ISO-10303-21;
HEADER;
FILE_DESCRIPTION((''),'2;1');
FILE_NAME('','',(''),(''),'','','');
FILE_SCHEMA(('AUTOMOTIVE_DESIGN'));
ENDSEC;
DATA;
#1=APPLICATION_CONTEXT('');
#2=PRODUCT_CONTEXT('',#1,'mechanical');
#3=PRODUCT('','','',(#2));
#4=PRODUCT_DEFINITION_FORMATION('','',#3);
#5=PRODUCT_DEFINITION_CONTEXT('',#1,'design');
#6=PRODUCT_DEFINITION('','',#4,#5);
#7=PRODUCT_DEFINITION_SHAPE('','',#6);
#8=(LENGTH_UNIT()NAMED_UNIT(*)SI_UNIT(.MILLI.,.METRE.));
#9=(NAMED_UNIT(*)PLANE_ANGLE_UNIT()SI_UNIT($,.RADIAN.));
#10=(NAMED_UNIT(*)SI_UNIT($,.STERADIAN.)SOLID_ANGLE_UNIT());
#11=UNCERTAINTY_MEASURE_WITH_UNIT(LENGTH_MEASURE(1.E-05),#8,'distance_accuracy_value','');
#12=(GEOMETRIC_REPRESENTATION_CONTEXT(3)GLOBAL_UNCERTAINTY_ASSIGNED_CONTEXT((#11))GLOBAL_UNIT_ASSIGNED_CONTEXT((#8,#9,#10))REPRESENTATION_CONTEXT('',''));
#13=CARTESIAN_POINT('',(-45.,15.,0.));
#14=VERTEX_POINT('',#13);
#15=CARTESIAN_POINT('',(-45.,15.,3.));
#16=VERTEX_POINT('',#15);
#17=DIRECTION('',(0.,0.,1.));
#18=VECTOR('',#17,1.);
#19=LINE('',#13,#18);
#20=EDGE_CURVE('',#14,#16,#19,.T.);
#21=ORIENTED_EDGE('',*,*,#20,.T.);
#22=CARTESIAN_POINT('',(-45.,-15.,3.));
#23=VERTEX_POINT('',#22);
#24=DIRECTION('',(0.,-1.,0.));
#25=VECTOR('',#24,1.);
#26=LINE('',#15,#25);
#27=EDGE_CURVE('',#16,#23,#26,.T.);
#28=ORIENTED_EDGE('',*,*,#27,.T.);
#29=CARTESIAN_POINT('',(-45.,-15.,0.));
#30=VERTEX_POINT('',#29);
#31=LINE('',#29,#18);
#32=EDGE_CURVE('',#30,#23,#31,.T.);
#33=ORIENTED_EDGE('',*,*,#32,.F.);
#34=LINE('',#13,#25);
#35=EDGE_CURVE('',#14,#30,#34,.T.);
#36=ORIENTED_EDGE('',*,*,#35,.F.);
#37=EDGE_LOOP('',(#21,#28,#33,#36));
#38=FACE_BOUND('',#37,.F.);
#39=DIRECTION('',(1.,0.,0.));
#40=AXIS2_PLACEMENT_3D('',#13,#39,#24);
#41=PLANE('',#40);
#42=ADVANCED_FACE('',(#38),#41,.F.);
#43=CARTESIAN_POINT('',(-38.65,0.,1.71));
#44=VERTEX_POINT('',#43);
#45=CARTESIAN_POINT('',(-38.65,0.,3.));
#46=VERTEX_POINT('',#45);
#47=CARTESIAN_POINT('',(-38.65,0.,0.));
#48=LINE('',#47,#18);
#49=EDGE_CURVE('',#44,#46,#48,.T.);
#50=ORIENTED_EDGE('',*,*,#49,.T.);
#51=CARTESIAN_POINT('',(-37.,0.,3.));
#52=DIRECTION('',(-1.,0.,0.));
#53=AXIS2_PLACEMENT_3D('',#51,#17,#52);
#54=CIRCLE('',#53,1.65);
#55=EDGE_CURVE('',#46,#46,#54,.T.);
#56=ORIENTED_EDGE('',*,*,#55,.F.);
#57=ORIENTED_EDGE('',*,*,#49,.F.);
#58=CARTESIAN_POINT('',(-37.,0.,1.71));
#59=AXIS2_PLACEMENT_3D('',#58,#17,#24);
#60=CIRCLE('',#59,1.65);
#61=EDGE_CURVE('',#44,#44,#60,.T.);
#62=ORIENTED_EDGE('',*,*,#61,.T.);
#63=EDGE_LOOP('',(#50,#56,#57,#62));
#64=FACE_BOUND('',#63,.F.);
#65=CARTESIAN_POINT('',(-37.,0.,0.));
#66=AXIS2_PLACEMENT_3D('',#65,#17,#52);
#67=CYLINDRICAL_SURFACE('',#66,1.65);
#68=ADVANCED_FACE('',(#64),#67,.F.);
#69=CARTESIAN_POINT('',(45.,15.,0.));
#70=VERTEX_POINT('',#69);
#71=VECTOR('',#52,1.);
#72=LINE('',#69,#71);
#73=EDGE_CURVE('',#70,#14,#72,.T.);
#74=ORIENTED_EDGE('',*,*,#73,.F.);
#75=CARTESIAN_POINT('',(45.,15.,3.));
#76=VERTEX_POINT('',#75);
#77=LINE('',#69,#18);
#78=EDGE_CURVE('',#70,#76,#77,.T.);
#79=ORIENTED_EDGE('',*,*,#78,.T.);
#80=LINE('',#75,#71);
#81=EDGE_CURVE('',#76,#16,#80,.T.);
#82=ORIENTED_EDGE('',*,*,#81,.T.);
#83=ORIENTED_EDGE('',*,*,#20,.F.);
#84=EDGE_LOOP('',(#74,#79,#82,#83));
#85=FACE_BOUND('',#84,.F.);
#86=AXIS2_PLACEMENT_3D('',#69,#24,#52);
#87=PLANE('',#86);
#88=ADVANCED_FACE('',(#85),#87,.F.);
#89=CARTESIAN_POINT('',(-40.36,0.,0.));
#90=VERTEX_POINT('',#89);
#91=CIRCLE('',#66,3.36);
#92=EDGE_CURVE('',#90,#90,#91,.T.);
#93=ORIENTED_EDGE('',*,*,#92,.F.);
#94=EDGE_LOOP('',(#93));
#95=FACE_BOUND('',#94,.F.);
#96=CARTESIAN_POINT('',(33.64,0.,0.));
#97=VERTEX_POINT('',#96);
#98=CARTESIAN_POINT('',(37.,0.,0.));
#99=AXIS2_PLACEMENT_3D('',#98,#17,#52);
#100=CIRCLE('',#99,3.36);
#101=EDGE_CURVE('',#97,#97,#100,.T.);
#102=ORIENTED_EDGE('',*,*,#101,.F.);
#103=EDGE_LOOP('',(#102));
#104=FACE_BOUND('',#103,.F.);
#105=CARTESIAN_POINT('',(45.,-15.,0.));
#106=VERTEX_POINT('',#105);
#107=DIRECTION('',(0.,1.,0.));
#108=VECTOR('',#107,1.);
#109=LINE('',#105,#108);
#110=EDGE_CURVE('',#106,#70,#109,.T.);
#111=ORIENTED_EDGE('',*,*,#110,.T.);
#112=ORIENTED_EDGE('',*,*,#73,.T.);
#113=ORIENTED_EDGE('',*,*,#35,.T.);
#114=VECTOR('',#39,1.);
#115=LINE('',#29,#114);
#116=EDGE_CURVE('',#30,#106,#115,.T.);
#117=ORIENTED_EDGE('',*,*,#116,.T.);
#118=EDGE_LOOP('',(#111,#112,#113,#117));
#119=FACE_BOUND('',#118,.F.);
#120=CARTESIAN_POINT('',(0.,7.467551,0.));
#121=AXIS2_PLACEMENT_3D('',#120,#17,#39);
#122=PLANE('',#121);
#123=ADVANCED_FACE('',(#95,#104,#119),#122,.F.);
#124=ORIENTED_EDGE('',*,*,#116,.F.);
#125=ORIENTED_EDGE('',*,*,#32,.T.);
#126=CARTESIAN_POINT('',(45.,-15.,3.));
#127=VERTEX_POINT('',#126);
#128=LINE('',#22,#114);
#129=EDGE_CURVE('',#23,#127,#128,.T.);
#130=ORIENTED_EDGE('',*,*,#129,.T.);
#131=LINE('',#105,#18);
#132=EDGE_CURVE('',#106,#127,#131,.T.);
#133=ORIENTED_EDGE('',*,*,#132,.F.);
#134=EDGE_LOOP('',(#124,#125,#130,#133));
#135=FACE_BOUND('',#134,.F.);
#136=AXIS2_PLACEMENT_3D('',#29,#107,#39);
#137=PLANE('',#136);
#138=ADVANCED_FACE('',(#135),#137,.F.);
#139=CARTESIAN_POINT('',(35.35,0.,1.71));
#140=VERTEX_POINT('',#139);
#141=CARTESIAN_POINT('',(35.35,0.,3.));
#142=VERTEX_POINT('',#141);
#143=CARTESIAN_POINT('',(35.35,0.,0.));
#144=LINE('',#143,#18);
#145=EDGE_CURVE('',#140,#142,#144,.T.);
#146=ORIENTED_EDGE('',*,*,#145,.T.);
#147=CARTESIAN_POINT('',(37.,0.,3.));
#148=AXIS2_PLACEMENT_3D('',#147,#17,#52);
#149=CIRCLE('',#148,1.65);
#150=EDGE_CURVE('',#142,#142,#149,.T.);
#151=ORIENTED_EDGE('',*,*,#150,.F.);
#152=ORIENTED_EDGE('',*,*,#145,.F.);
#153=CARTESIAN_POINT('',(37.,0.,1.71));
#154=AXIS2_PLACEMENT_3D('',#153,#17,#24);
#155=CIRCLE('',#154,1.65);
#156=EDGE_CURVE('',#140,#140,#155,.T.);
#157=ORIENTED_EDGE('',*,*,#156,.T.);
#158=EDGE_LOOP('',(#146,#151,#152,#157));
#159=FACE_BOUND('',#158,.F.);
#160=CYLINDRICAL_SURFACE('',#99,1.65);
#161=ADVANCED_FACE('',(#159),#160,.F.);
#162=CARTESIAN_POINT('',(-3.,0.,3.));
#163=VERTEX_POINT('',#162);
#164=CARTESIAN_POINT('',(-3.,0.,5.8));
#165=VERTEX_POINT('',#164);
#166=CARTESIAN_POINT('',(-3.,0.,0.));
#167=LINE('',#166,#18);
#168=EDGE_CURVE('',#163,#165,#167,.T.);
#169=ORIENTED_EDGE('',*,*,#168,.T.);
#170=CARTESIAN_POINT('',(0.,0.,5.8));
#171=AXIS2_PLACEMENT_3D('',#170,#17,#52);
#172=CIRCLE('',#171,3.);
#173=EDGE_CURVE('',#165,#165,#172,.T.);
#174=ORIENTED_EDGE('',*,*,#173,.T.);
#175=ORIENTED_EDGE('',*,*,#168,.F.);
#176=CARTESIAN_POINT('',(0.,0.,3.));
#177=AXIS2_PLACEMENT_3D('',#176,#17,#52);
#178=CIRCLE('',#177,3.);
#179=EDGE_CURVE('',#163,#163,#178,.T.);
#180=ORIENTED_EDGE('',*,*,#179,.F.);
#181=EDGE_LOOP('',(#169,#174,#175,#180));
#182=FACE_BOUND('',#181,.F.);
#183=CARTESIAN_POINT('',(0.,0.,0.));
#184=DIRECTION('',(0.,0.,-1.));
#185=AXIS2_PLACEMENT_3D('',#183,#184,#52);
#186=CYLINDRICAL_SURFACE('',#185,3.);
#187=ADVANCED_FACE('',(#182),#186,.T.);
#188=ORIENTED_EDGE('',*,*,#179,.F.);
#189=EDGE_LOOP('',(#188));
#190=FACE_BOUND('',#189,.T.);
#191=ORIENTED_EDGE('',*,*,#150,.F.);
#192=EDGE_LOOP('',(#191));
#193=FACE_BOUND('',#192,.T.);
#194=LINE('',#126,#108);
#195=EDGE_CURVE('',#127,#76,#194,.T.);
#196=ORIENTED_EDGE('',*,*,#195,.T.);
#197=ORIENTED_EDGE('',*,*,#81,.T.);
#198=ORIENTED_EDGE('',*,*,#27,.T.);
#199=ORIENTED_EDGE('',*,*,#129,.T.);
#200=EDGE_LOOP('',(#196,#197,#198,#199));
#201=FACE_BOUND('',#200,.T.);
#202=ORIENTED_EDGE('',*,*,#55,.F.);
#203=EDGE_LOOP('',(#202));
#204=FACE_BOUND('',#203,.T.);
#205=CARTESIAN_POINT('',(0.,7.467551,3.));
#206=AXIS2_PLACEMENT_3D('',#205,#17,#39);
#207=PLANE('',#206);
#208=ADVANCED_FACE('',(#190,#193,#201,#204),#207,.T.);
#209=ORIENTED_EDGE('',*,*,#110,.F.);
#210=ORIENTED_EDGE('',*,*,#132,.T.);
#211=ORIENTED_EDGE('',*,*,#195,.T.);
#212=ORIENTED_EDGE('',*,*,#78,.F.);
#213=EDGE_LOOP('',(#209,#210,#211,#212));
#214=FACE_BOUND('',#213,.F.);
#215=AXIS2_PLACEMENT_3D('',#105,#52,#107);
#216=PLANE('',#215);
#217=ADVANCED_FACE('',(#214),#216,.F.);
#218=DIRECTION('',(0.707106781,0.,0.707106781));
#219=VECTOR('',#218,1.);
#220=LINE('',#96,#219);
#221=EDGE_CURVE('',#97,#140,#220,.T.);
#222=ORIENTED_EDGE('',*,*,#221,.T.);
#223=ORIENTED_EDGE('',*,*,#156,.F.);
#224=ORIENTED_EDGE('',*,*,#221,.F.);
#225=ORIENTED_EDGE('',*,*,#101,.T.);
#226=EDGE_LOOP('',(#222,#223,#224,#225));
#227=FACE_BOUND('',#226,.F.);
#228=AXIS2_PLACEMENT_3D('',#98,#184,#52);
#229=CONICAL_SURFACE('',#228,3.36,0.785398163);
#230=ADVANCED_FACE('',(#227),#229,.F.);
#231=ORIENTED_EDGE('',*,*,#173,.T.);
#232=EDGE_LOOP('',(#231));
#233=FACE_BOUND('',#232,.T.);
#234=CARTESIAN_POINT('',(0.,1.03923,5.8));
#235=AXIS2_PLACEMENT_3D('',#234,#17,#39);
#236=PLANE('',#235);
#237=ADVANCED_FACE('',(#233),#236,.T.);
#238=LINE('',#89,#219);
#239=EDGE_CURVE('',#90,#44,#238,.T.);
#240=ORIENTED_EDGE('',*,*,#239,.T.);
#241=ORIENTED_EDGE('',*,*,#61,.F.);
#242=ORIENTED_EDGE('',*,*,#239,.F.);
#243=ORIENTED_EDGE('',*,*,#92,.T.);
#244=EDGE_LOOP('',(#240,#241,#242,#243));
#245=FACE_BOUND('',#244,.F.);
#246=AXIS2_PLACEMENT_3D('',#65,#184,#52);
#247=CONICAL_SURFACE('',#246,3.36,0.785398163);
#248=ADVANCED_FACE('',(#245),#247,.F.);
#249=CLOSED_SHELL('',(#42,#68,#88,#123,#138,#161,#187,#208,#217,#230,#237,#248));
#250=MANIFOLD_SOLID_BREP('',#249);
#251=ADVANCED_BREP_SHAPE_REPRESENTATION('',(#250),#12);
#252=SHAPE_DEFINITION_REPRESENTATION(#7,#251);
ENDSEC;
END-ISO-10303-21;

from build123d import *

# Parameters (mm, degrees)
F1_DEPTH       = 3
F2_DEPTH       = 5.8
F3_D           = 3.3
F3_CSINK_D     = 6.72
F3_CSINK_ANGLE = 90


with BuildPart() as f1:
    # F0 (on Top) → F1 (new body)
    with BuildSketch(Plane.XY):
        with BuildLine():
            ThreePointArc((-3, 0), (0, 3), (3, 0))
            Line((3, 0), (45, 0))
            Line((45, 0), (45, 15))
            Line((45, 15), (-45, 15))
            Line((-45, 15), (-45, 0))
            Line((-45, 0), (-3, 0))
        make_face()
        with BuildLine():
            Line((45, 0), (3, 0))
            ThreePointArc((3, 0), (0, -3), (-3, 0))
            Line((-3, 0), (-45, 0))
            Line((-45, 0), (-45, -15))
            Line((-45, -15), (45, -15))
            Line((45, -15), (45, 0))
        make_face()
    extrude(amount=F1_DEPTH)

    # F0 (on Top) → F2 (join)
    with BuildSketch(Plane.XY):
        with BuildLine():
            Line((-3, 0), (3, 0))
            ThreePointArc((3, 0), (0, 3), (-3, 0))
        make_face()
        with BuildLine():
            ThreePointArc((-3, 0), (0, -3), (3, 0))
            Line((3, 0), (-3, 0))
        make_face()
    extrude(amount=F2_DEPTH)

    # F3 (through all)
    with Locations(Plane(origin=(0, 0, 0), x_dir=(1, 0, 0), z_dir=(0, 0, -1))):
        with Locations((-37, 0), (37, 0)):
            CounterSinkHole(F3_D / 2, F3_CSINK_D / 2, counter_sink_angle=F3_CSINK_ANGLE)


solid = f1.part
